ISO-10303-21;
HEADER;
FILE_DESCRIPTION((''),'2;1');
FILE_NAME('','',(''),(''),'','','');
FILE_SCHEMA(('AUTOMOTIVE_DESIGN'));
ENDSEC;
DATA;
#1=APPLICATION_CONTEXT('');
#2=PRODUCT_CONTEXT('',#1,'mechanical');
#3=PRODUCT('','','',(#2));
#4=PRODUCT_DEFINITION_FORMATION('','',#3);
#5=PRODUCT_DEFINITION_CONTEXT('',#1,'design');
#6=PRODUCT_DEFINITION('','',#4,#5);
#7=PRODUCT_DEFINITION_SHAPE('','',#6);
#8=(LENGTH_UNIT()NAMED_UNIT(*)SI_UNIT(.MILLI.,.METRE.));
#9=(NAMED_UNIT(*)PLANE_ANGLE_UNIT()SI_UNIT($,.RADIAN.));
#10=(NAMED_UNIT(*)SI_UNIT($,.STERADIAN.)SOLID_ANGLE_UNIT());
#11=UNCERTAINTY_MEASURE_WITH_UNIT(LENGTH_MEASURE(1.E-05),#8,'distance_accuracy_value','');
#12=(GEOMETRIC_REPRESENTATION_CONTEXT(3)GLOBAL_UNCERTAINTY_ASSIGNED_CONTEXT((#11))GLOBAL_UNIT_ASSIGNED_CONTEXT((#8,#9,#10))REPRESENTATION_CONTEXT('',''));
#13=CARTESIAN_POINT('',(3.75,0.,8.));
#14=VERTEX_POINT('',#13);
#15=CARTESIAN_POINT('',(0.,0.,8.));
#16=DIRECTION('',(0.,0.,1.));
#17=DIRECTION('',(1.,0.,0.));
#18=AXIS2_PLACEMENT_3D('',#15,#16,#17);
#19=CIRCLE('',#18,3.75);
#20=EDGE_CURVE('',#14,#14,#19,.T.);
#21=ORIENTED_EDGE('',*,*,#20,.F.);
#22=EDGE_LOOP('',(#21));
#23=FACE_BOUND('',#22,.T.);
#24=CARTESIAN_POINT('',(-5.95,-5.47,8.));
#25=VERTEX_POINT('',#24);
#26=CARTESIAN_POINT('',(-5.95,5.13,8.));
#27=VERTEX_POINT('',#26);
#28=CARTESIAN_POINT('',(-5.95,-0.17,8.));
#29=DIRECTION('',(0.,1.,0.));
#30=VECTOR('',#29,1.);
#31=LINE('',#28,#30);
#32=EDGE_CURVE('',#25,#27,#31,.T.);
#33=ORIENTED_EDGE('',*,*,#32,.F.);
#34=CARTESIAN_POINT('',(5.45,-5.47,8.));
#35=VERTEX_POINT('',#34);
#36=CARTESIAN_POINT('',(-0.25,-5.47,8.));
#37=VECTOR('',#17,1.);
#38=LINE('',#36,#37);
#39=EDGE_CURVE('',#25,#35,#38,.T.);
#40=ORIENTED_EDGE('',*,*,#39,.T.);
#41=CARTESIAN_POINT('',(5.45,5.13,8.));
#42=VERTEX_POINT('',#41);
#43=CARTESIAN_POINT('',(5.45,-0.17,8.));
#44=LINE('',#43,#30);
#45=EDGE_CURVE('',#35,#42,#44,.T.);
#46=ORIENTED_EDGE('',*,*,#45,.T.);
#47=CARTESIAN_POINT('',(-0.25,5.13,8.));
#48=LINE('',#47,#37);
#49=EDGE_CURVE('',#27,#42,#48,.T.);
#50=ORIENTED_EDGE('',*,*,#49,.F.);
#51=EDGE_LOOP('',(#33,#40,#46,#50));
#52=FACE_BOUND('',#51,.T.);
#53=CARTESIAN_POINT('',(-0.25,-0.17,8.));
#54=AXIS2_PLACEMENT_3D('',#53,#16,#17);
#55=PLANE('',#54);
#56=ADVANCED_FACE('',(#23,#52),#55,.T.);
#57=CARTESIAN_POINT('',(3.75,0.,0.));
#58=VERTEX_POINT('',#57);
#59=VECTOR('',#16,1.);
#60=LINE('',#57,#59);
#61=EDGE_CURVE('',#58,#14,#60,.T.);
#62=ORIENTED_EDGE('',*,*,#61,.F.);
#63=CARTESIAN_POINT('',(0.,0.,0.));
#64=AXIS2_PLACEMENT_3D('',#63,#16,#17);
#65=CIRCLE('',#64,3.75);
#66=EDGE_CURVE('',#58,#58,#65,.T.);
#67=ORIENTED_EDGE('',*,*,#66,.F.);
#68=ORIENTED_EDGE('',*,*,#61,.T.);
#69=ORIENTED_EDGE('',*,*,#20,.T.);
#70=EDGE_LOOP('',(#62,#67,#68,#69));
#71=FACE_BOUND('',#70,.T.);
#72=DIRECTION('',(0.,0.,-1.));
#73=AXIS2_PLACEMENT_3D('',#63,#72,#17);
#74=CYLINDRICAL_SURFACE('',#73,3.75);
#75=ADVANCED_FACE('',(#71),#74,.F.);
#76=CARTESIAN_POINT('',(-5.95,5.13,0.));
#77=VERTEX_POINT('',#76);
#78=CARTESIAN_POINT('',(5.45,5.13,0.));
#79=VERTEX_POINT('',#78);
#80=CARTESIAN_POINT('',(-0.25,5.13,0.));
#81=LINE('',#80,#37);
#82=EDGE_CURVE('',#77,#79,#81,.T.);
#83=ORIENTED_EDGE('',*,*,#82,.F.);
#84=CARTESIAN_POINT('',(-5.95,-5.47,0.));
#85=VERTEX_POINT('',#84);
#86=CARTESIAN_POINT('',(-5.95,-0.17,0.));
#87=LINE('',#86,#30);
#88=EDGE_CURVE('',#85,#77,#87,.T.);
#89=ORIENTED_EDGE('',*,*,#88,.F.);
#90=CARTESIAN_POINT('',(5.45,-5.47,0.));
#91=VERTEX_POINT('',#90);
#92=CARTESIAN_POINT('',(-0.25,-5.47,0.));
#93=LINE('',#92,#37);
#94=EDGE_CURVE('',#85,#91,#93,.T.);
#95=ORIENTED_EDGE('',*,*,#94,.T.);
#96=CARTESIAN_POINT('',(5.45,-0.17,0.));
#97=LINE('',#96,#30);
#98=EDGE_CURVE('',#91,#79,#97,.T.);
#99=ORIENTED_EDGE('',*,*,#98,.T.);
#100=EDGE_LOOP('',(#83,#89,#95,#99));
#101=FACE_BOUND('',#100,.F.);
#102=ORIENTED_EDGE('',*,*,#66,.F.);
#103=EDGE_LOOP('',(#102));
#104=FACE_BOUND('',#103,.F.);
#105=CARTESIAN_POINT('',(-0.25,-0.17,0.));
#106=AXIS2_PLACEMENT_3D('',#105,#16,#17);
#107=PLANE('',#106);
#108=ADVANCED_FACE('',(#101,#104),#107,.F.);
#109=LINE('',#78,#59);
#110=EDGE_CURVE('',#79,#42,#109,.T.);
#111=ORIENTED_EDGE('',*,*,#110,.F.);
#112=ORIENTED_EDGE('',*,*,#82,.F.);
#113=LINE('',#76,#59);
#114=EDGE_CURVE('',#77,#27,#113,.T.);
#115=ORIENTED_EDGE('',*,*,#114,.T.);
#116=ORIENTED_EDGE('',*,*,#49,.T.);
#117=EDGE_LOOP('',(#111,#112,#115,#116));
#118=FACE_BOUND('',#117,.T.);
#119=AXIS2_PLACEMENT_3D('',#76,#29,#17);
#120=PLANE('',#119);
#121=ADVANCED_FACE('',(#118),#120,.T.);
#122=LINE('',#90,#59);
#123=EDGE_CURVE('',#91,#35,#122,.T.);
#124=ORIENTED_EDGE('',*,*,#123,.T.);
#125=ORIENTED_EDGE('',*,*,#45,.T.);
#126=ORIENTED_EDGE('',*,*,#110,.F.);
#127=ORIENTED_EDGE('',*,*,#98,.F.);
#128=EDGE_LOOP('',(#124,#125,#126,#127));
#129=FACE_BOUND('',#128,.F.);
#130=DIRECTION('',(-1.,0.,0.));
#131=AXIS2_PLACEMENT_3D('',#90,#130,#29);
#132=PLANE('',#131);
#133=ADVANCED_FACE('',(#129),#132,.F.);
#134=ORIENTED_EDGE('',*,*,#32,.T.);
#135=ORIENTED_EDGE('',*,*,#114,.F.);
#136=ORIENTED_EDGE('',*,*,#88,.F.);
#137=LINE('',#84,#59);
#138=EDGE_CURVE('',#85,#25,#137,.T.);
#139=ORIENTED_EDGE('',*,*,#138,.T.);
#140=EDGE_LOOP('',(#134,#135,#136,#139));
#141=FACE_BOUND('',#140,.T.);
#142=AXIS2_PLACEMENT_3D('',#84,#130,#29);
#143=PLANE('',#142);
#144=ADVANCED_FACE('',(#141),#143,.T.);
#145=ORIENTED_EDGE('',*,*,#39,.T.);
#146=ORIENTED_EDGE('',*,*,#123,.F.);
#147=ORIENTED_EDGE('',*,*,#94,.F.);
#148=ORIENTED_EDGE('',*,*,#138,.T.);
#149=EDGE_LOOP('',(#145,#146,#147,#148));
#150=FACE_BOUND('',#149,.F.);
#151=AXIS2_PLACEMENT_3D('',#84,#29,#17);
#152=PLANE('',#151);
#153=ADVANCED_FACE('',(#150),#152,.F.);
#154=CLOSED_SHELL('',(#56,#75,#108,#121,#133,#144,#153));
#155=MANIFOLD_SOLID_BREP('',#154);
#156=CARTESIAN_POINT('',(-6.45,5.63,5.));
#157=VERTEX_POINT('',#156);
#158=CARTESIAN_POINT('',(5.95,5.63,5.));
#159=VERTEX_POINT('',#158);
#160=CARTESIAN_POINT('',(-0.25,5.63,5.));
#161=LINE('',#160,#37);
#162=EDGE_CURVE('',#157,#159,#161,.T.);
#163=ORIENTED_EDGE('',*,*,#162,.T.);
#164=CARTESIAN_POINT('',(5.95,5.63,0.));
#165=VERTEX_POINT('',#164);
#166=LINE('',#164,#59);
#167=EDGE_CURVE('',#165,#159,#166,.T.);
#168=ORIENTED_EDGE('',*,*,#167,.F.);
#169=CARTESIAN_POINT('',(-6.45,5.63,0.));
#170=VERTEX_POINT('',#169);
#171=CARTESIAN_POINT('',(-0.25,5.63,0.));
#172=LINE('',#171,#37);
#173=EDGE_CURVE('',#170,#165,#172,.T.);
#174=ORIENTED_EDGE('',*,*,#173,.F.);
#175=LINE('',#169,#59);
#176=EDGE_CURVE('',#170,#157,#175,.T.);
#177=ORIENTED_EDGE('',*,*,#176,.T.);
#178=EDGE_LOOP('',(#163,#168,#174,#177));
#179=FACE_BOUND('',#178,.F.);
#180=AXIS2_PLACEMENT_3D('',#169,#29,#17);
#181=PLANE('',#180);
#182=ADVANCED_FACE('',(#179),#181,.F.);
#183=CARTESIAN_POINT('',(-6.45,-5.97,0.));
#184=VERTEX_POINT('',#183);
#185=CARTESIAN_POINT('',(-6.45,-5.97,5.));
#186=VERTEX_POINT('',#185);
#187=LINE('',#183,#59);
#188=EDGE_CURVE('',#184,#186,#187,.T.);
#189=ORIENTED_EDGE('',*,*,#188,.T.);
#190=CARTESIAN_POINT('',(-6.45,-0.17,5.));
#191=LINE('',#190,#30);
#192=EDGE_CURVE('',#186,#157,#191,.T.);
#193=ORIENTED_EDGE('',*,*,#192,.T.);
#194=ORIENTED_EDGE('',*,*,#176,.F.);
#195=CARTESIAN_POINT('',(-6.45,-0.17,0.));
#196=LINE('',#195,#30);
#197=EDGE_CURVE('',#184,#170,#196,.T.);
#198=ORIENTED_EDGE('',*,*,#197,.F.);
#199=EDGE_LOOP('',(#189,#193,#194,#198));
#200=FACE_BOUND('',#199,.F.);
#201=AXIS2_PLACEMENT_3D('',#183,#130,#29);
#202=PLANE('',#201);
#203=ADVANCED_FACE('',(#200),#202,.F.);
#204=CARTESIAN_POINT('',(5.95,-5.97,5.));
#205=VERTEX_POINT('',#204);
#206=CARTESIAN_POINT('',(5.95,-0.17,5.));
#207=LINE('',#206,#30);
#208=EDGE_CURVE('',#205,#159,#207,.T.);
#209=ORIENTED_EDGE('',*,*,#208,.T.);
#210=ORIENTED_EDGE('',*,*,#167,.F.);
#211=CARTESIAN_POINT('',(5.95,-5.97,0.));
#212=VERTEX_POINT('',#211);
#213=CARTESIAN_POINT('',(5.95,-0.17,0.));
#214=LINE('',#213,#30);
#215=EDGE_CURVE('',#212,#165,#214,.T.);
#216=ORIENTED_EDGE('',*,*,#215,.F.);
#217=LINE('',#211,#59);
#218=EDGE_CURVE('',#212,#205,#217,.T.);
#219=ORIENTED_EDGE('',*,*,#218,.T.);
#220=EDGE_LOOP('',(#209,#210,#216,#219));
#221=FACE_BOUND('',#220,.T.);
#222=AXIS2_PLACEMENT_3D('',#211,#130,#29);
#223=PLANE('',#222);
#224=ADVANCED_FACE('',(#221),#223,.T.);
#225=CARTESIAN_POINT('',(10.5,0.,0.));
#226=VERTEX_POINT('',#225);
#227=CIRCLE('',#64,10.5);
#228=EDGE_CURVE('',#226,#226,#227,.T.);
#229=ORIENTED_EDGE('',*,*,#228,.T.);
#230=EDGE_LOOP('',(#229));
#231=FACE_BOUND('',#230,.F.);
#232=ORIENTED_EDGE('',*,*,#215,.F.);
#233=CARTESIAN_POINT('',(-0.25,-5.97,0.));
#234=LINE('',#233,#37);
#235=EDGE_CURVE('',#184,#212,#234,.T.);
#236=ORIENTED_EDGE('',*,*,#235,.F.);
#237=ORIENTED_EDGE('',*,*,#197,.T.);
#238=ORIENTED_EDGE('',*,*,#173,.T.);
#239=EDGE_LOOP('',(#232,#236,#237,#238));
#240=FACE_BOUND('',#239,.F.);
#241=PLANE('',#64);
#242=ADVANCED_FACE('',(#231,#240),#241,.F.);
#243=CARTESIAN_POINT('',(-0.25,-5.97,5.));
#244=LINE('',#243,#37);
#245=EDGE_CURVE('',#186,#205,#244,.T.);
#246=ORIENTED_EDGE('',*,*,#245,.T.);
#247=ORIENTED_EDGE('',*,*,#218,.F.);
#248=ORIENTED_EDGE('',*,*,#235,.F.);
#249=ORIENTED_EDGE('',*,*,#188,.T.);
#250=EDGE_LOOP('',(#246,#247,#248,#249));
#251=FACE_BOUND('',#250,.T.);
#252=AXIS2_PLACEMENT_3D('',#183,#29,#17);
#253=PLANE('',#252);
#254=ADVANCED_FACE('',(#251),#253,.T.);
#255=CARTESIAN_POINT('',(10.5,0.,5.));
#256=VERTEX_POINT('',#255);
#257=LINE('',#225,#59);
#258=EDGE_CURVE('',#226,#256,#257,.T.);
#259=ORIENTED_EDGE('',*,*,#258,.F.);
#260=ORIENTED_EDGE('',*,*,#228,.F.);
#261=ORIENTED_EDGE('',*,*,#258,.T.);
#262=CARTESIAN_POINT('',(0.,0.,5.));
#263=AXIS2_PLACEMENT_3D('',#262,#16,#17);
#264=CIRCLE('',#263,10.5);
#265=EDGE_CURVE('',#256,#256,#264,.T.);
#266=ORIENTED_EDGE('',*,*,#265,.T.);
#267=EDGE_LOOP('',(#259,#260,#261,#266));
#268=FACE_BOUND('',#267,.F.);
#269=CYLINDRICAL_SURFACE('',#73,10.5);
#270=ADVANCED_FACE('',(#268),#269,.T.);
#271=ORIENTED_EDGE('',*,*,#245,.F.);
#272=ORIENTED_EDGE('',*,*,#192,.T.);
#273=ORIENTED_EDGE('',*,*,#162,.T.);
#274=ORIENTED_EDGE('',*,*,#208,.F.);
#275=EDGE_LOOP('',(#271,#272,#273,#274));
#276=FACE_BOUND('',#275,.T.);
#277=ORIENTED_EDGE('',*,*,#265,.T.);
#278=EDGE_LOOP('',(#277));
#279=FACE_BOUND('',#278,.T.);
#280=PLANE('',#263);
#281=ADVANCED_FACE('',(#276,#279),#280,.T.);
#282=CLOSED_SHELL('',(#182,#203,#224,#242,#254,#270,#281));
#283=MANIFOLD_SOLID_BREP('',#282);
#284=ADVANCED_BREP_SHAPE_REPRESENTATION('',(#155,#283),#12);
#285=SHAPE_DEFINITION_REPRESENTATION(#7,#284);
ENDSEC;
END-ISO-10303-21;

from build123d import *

# Parameters (mm, degrees)
F0_W     = 11.4
F0_H     = 10.6
F0_R     = 3.75
F1_DEPTH = 8
F2_R     = 10.5
F2_W     = 12.4
F2_H     = 11.6
F3_DEPTH = 5


with BuildPart() as f1:
    # F0 (on Top) → F1 (new body)
    with BuildSketch(Plane.XY):
        with Locations((-0.25, -0.17)):
            Rectangle(F0_W, F0_H)
        Circle(F0_R, mode=Mode.SUBTRACT)
    extrude(amount=F1_DEPTH)


with BuildPart() as f3:
    # F2 (on Top) → F3 (new body)
    with BuildSketch(Plane.XY):
        Circle(F2_R)
        with Locations((-0.25, -0.17)):
            Rectangle(F2_W, F2_H, mode=Mode.SUBTRACT)
    extrude(amount=F3_DEPTH)


solid = Compound([f1.part, f3.part])
